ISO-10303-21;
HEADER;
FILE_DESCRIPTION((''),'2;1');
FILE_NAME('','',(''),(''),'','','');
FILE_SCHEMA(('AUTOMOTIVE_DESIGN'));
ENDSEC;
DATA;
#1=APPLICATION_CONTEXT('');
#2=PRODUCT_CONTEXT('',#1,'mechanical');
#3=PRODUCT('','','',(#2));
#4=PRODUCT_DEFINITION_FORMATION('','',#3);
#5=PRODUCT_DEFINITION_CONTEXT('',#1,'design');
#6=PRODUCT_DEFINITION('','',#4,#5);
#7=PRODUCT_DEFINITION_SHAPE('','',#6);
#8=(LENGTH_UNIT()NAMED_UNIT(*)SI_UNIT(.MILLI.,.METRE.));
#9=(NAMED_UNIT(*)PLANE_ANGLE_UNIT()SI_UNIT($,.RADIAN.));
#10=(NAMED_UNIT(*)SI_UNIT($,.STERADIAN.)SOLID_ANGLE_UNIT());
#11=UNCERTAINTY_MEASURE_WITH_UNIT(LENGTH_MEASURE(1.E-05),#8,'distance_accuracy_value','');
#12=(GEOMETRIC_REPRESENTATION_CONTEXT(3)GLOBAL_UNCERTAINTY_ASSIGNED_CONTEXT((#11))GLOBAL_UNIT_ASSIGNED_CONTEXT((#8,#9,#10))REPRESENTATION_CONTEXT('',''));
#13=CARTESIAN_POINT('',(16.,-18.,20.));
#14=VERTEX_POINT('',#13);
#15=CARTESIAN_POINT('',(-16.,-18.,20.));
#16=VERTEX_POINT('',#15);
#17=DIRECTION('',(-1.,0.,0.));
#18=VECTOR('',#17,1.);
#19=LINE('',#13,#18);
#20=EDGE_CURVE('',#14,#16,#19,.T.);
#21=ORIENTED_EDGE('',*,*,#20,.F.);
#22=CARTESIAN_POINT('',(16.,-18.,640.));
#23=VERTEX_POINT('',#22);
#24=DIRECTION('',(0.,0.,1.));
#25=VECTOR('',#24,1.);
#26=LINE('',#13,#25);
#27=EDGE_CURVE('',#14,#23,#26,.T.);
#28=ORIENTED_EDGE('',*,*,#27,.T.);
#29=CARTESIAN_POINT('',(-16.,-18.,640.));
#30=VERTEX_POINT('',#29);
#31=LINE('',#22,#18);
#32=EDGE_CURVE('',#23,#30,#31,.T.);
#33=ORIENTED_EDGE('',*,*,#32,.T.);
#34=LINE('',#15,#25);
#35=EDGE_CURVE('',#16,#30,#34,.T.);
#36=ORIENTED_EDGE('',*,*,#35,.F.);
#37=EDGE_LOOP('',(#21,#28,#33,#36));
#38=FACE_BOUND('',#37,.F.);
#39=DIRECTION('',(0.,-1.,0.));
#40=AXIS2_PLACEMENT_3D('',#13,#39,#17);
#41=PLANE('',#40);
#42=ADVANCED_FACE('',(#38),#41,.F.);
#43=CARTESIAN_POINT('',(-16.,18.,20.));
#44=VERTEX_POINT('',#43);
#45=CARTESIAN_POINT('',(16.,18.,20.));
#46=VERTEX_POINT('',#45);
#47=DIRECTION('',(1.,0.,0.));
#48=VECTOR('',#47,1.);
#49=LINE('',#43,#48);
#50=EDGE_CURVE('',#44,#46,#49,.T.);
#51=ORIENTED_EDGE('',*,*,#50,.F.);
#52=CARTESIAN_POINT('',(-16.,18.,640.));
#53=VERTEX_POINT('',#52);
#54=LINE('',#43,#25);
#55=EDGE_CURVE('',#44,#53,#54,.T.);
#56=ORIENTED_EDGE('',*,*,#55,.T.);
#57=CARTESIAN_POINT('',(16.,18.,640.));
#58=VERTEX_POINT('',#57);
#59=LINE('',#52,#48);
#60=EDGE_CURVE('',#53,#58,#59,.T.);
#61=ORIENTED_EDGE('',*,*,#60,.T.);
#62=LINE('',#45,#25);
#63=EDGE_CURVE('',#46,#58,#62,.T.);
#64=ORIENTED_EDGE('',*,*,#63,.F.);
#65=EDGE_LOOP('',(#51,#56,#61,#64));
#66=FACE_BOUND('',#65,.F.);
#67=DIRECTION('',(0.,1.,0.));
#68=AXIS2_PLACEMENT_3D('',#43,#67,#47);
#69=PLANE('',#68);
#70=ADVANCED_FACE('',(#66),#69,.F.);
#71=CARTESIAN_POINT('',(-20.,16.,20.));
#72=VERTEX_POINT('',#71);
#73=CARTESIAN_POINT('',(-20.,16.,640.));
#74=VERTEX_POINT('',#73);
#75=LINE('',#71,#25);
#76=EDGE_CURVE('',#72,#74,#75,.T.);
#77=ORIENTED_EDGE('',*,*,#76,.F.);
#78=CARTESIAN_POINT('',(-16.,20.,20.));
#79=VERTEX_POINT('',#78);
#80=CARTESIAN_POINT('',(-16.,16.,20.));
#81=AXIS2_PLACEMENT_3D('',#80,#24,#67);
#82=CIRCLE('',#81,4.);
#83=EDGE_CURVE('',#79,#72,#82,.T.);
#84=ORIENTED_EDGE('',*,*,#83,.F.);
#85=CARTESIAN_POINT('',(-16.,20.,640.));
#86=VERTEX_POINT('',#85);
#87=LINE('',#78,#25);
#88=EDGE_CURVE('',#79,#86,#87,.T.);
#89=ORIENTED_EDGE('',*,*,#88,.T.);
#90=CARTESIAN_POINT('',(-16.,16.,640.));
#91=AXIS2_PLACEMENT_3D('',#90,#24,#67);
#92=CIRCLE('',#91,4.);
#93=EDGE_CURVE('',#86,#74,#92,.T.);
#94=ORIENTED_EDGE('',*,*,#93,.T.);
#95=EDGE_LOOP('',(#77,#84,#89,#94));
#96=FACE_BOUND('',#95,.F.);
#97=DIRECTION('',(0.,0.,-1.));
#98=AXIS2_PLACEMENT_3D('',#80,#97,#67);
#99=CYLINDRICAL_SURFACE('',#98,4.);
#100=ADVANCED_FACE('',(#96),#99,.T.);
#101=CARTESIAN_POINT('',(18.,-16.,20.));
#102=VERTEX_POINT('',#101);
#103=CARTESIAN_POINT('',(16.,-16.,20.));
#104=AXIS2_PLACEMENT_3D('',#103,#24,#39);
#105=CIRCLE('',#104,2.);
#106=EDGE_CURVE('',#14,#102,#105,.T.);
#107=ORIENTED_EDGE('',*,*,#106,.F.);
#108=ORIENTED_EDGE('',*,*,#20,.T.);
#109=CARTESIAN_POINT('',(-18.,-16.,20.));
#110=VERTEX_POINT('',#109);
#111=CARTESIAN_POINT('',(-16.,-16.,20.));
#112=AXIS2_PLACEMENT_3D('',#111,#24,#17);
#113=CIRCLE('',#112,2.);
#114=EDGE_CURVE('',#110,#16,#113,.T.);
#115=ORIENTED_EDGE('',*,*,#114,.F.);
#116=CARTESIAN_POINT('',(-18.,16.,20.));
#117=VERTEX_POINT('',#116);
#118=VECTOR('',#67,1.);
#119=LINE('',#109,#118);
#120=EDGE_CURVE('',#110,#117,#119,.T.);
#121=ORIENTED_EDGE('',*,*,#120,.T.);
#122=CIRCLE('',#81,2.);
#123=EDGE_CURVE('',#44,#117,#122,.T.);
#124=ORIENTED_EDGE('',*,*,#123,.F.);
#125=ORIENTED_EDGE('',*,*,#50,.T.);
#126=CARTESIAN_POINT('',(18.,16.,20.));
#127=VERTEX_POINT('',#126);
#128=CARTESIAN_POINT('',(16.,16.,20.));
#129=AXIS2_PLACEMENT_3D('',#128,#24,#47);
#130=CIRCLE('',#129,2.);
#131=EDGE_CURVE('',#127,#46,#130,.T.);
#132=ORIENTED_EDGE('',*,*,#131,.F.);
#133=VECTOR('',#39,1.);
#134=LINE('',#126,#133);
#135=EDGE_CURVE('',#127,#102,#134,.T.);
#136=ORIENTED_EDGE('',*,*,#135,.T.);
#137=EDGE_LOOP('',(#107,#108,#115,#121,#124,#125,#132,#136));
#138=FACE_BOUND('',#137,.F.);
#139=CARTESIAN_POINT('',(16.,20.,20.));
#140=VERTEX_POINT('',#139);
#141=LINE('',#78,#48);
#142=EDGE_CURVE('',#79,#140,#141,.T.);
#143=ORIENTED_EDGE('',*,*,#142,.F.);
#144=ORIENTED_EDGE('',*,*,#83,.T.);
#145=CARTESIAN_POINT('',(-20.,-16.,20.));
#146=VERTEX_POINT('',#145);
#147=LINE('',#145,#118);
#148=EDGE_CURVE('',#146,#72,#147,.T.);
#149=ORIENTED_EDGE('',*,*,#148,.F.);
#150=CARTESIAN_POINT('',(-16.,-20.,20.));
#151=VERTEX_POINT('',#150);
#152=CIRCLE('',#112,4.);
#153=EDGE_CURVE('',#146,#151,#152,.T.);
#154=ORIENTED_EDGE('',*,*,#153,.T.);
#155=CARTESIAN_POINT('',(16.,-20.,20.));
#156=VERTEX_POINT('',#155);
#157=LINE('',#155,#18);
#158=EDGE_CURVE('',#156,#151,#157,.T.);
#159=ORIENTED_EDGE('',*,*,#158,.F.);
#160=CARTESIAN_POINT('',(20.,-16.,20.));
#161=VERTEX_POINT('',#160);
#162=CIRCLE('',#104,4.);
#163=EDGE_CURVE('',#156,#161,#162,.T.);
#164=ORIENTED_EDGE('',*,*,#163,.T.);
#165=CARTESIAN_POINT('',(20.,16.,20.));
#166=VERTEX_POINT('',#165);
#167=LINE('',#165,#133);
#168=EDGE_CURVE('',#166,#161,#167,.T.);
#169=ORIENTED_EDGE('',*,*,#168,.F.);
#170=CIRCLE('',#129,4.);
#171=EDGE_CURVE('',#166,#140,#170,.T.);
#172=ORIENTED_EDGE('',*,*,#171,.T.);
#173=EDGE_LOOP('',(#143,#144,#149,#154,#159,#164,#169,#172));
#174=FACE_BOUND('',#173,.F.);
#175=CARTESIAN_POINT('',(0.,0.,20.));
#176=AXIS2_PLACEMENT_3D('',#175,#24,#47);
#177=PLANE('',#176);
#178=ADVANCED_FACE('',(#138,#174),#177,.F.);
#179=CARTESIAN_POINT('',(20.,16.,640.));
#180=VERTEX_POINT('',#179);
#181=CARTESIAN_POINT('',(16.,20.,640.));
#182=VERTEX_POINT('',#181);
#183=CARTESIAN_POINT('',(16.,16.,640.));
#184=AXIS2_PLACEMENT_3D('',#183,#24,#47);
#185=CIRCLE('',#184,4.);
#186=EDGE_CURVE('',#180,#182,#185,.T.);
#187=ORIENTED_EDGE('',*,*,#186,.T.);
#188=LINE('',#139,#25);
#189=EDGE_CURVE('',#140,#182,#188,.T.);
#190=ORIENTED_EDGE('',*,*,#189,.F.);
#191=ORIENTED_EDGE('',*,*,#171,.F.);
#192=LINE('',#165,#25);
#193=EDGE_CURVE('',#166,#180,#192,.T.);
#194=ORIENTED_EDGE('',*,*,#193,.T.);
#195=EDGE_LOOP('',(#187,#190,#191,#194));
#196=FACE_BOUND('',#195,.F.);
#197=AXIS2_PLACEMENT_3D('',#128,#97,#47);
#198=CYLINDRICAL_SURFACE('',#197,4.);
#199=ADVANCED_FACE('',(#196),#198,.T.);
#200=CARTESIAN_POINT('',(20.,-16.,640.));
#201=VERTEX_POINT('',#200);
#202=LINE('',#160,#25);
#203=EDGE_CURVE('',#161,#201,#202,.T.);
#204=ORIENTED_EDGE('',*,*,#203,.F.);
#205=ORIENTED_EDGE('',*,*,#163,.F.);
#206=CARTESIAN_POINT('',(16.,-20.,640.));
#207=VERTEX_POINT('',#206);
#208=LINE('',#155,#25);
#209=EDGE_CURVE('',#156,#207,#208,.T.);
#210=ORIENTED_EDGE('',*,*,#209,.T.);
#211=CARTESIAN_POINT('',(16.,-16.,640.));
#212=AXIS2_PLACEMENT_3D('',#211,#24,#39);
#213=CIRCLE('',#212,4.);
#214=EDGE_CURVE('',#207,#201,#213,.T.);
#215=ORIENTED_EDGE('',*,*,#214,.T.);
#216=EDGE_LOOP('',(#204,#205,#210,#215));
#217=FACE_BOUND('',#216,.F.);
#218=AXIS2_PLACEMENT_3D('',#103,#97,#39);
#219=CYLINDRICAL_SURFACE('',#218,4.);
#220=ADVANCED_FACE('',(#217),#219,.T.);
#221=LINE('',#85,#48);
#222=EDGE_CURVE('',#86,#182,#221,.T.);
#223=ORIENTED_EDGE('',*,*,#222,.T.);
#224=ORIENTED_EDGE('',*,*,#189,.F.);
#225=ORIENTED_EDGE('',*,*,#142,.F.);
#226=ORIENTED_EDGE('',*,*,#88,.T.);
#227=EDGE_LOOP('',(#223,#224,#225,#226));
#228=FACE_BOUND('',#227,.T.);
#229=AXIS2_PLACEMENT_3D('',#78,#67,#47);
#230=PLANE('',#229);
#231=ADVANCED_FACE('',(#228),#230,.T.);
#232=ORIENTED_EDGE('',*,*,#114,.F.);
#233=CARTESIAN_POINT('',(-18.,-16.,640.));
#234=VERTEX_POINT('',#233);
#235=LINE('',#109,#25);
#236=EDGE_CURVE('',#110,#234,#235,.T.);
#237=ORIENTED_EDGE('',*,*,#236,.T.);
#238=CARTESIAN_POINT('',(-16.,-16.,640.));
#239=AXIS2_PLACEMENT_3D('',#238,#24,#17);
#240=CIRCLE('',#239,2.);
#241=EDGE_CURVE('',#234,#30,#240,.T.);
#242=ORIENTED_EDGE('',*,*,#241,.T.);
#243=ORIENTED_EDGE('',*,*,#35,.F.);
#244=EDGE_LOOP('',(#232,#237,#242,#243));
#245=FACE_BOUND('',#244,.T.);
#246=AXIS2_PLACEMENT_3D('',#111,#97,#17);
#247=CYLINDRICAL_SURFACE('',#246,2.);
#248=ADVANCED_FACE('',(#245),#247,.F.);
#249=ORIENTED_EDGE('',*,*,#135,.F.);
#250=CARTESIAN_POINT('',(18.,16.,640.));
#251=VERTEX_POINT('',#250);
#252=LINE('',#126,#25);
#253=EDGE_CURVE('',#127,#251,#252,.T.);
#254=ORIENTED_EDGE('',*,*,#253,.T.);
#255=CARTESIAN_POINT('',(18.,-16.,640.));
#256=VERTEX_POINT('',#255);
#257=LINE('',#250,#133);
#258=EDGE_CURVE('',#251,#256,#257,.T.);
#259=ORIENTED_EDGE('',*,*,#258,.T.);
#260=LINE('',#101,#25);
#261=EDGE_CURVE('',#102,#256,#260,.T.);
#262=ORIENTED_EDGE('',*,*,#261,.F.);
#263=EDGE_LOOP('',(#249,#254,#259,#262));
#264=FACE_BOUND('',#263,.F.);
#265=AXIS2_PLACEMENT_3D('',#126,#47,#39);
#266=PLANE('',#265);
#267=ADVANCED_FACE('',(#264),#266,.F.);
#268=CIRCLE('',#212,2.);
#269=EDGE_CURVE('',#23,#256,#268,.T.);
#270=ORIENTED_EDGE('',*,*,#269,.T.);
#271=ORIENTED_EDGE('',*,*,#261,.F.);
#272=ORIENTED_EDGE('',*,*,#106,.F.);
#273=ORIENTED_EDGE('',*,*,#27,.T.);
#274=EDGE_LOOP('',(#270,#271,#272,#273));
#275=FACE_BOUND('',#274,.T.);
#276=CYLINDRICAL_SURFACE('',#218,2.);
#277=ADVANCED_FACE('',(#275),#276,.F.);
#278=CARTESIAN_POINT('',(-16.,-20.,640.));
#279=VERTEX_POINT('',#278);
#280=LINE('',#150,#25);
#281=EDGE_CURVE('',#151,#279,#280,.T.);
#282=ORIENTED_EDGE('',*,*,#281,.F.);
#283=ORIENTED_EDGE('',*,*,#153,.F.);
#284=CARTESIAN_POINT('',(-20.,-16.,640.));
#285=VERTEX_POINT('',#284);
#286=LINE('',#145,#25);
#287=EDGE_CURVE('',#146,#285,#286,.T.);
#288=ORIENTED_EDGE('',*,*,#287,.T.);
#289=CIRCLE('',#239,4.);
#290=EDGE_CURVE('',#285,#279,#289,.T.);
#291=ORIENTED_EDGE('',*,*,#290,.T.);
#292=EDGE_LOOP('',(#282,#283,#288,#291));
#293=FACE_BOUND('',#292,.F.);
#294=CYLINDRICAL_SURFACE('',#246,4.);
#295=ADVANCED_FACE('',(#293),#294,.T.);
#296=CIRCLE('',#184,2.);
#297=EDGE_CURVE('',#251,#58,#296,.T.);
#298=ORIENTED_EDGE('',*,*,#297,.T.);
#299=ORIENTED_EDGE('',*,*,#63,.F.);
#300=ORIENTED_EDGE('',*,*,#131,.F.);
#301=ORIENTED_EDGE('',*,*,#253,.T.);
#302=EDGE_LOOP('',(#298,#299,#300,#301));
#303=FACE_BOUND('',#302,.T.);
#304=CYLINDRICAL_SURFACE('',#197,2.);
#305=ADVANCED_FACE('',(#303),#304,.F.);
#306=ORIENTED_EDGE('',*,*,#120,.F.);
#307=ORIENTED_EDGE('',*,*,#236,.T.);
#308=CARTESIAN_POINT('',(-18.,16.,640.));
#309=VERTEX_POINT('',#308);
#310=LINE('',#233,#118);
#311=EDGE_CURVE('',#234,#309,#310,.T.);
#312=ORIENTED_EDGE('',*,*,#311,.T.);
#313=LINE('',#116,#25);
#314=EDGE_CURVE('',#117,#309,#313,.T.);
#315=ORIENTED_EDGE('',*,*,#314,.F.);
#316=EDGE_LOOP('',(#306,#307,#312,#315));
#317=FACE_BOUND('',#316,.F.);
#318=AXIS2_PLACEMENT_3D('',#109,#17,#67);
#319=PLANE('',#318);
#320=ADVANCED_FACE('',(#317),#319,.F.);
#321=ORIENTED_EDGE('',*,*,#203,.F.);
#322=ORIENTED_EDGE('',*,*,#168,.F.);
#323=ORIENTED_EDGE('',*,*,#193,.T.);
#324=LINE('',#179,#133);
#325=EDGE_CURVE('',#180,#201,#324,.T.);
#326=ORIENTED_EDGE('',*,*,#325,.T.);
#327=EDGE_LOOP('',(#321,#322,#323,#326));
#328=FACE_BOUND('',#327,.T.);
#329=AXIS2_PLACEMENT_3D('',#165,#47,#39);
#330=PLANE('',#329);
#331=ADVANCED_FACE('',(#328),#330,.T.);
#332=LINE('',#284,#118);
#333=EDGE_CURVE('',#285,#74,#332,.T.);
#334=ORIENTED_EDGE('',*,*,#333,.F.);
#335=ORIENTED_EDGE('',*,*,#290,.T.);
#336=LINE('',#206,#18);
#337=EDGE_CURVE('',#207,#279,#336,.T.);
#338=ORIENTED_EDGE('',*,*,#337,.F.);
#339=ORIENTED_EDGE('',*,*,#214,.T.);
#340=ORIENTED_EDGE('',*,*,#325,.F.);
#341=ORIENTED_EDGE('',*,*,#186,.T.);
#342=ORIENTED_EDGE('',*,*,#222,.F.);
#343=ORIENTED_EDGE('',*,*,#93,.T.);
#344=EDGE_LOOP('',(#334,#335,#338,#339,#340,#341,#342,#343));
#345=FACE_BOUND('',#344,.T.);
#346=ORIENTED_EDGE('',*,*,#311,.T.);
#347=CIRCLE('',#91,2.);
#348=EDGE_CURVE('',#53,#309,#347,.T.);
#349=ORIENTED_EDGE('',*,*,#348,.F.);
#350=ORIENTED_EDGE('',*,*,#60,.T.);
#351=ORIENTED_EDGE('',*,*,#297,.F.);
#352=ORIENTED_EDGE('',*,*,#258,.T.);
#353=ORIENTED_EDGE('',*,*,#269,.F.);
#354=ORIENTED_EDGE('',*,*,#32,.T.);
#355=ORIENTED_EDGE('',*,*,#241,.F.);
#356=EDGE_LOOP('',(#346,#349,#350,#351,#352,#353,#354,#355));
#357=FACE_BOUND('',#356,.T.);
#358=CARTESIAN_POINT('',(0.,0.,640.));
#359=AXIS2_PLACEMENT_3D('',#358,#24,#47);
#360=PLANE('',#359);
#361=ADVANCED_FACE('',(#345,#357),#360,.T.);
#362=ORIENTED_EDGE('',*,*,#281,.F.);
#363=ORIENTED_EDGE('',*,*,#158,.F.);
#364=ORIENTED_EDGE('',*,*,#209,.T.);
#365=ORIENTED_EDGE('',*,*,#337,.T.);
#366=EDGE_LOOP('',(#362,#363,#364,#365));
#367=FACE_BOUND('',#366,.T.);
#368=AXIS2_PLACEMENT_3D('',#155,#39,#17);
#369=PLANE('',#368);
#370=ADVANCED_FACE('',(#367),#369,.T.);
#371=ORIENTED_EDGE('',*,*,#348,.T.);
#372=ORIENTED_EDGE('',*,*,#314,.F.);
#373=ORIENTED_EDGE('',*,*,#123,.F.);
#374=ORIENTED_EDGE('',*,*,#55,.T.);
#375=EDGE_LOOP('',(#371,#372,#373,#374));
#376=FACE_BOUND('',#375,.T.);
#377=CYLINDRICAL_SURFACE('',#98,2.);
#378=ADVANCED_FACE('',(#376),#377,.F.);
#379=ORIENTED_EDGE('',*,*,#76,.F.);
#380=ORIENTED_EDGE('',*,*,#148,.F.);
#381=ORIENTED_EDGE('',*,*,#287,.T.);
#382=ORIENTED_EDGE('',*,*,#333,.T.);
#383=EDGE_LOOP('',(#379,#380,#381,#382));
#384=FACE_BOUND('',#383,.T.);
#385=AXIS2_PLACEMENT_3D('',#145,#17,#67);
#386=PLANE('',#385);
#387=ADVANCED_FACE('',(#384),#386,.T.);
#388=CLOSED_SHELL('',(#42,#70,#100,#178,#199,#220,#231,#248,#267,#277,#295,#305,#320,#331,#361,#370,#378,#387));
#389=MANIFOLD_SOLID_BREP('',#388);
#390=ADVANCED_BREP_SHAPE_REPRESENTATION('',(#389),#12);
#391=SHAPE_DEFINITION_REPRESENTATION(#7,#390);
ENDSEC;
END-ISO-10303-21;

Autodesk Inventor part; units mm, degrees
ref_plane "YZ Plane" through (0, 0, 0) normal (1, 0, 0) x (0, 1, 0)
ref_plane "Start Plane" through (0, 0, 20) normal (0, 0, 1) x (1, 0, 0)
ref_plane "End Plane" through (0, 0, 640) normal (0, 0, 1) x (1, 0, 0)
sketch "Sketch" plane through (0, 0, 0) normal (0, 0, 1) x (1, 0, 0)
  line L0 (-20, -16) -> (-20, 16)
  line L1 (-16, 20) -> (16, 20)
  line L2 (20, 16) -> (20, -16)
  line L3 (16, -20) -> (-16, -20)
  arc A0 (-20, -16) -> (-16, -20) centre (-16, -16) ccw
  arc A1 (20, 16) -> (16, 20) centre (16, 16) ccw
  arc A2 (-16, 20) -> (-20, 16) centre (-16, 16) ccw
  arc A3 (16, -20) -> (20, -16) centre (16, -16) ccw
  arc A4 (-16, 18) -> (-18, 16) centre (-16, 16) ccw
  line L4 (-16, 18) -> (16, 18)
  arc A5 (18, 16) -> (16, 18) centre (16, 16) ccw
  line L5 (18, 16) -> (18, -16)
  arc A6 (16, -18) -> (18, -16) centre (16, -16) ccw
  line L6 (16, -18) -> (-16, -18)
  arc A7 (-18, -16) -> (-16, -18) centre (-16, -16) ccw
  line L7 (-18, -16) -> (-18, 16)
  line L8 (0, 29.1598) -> (0, -29.1598) construction
  line L9 (-29.1598, 0) -> (29.1598, 0) construction
  dimension "d7" = 4
  dimension "d9" = 40
  dimension "d11" = 40
  dimension "d12" = 2
  dimension "d15" = 20
  dimension "d16" = 20
extrude "Body" add sketch "Sketch" along normal up to surface (620 mm away) from surface at 20
sketch "Sketch3" plane through (0, 0, 0) normal (0, 0, 1) x (1, 0, 0)
  line L0 (0, 0) -> (10, 0)
ref_plane "Work Plane3" through (0, 0, 0) normal (0, -1, 0) x (1, 0, 0)
sketch "Sketch4" plane through (0, 0, 0) normal (0, -1, 0) x (1, 0, 0)
  line L0 (-2, 20) -> (12, 20) projected
  line L1 (-2, 640) -> (12, 640) projected
  dimension "d18" = 620
equation "\"d7\" = G_IR"
equation "\"d9\" = G_W"
equation "\"d11\" = G_H"
equation "\"d12\" = G_T"
equation "\"d15\" = 0.5 * d9"
equation "\"d16\" = 0.5 * d11"
equation "\"d3\" = G_L"
equation "\"G_W\" = 40"
equation "\"G_H\" = 40"
equation "\"G_T\" = 2"
equation "\"G_IR\" = 4"
equation "\"G_L\" = d18"
properties part number "ISO 10799-2 - 40x40x2 - 620" material "Steel, Mild"
